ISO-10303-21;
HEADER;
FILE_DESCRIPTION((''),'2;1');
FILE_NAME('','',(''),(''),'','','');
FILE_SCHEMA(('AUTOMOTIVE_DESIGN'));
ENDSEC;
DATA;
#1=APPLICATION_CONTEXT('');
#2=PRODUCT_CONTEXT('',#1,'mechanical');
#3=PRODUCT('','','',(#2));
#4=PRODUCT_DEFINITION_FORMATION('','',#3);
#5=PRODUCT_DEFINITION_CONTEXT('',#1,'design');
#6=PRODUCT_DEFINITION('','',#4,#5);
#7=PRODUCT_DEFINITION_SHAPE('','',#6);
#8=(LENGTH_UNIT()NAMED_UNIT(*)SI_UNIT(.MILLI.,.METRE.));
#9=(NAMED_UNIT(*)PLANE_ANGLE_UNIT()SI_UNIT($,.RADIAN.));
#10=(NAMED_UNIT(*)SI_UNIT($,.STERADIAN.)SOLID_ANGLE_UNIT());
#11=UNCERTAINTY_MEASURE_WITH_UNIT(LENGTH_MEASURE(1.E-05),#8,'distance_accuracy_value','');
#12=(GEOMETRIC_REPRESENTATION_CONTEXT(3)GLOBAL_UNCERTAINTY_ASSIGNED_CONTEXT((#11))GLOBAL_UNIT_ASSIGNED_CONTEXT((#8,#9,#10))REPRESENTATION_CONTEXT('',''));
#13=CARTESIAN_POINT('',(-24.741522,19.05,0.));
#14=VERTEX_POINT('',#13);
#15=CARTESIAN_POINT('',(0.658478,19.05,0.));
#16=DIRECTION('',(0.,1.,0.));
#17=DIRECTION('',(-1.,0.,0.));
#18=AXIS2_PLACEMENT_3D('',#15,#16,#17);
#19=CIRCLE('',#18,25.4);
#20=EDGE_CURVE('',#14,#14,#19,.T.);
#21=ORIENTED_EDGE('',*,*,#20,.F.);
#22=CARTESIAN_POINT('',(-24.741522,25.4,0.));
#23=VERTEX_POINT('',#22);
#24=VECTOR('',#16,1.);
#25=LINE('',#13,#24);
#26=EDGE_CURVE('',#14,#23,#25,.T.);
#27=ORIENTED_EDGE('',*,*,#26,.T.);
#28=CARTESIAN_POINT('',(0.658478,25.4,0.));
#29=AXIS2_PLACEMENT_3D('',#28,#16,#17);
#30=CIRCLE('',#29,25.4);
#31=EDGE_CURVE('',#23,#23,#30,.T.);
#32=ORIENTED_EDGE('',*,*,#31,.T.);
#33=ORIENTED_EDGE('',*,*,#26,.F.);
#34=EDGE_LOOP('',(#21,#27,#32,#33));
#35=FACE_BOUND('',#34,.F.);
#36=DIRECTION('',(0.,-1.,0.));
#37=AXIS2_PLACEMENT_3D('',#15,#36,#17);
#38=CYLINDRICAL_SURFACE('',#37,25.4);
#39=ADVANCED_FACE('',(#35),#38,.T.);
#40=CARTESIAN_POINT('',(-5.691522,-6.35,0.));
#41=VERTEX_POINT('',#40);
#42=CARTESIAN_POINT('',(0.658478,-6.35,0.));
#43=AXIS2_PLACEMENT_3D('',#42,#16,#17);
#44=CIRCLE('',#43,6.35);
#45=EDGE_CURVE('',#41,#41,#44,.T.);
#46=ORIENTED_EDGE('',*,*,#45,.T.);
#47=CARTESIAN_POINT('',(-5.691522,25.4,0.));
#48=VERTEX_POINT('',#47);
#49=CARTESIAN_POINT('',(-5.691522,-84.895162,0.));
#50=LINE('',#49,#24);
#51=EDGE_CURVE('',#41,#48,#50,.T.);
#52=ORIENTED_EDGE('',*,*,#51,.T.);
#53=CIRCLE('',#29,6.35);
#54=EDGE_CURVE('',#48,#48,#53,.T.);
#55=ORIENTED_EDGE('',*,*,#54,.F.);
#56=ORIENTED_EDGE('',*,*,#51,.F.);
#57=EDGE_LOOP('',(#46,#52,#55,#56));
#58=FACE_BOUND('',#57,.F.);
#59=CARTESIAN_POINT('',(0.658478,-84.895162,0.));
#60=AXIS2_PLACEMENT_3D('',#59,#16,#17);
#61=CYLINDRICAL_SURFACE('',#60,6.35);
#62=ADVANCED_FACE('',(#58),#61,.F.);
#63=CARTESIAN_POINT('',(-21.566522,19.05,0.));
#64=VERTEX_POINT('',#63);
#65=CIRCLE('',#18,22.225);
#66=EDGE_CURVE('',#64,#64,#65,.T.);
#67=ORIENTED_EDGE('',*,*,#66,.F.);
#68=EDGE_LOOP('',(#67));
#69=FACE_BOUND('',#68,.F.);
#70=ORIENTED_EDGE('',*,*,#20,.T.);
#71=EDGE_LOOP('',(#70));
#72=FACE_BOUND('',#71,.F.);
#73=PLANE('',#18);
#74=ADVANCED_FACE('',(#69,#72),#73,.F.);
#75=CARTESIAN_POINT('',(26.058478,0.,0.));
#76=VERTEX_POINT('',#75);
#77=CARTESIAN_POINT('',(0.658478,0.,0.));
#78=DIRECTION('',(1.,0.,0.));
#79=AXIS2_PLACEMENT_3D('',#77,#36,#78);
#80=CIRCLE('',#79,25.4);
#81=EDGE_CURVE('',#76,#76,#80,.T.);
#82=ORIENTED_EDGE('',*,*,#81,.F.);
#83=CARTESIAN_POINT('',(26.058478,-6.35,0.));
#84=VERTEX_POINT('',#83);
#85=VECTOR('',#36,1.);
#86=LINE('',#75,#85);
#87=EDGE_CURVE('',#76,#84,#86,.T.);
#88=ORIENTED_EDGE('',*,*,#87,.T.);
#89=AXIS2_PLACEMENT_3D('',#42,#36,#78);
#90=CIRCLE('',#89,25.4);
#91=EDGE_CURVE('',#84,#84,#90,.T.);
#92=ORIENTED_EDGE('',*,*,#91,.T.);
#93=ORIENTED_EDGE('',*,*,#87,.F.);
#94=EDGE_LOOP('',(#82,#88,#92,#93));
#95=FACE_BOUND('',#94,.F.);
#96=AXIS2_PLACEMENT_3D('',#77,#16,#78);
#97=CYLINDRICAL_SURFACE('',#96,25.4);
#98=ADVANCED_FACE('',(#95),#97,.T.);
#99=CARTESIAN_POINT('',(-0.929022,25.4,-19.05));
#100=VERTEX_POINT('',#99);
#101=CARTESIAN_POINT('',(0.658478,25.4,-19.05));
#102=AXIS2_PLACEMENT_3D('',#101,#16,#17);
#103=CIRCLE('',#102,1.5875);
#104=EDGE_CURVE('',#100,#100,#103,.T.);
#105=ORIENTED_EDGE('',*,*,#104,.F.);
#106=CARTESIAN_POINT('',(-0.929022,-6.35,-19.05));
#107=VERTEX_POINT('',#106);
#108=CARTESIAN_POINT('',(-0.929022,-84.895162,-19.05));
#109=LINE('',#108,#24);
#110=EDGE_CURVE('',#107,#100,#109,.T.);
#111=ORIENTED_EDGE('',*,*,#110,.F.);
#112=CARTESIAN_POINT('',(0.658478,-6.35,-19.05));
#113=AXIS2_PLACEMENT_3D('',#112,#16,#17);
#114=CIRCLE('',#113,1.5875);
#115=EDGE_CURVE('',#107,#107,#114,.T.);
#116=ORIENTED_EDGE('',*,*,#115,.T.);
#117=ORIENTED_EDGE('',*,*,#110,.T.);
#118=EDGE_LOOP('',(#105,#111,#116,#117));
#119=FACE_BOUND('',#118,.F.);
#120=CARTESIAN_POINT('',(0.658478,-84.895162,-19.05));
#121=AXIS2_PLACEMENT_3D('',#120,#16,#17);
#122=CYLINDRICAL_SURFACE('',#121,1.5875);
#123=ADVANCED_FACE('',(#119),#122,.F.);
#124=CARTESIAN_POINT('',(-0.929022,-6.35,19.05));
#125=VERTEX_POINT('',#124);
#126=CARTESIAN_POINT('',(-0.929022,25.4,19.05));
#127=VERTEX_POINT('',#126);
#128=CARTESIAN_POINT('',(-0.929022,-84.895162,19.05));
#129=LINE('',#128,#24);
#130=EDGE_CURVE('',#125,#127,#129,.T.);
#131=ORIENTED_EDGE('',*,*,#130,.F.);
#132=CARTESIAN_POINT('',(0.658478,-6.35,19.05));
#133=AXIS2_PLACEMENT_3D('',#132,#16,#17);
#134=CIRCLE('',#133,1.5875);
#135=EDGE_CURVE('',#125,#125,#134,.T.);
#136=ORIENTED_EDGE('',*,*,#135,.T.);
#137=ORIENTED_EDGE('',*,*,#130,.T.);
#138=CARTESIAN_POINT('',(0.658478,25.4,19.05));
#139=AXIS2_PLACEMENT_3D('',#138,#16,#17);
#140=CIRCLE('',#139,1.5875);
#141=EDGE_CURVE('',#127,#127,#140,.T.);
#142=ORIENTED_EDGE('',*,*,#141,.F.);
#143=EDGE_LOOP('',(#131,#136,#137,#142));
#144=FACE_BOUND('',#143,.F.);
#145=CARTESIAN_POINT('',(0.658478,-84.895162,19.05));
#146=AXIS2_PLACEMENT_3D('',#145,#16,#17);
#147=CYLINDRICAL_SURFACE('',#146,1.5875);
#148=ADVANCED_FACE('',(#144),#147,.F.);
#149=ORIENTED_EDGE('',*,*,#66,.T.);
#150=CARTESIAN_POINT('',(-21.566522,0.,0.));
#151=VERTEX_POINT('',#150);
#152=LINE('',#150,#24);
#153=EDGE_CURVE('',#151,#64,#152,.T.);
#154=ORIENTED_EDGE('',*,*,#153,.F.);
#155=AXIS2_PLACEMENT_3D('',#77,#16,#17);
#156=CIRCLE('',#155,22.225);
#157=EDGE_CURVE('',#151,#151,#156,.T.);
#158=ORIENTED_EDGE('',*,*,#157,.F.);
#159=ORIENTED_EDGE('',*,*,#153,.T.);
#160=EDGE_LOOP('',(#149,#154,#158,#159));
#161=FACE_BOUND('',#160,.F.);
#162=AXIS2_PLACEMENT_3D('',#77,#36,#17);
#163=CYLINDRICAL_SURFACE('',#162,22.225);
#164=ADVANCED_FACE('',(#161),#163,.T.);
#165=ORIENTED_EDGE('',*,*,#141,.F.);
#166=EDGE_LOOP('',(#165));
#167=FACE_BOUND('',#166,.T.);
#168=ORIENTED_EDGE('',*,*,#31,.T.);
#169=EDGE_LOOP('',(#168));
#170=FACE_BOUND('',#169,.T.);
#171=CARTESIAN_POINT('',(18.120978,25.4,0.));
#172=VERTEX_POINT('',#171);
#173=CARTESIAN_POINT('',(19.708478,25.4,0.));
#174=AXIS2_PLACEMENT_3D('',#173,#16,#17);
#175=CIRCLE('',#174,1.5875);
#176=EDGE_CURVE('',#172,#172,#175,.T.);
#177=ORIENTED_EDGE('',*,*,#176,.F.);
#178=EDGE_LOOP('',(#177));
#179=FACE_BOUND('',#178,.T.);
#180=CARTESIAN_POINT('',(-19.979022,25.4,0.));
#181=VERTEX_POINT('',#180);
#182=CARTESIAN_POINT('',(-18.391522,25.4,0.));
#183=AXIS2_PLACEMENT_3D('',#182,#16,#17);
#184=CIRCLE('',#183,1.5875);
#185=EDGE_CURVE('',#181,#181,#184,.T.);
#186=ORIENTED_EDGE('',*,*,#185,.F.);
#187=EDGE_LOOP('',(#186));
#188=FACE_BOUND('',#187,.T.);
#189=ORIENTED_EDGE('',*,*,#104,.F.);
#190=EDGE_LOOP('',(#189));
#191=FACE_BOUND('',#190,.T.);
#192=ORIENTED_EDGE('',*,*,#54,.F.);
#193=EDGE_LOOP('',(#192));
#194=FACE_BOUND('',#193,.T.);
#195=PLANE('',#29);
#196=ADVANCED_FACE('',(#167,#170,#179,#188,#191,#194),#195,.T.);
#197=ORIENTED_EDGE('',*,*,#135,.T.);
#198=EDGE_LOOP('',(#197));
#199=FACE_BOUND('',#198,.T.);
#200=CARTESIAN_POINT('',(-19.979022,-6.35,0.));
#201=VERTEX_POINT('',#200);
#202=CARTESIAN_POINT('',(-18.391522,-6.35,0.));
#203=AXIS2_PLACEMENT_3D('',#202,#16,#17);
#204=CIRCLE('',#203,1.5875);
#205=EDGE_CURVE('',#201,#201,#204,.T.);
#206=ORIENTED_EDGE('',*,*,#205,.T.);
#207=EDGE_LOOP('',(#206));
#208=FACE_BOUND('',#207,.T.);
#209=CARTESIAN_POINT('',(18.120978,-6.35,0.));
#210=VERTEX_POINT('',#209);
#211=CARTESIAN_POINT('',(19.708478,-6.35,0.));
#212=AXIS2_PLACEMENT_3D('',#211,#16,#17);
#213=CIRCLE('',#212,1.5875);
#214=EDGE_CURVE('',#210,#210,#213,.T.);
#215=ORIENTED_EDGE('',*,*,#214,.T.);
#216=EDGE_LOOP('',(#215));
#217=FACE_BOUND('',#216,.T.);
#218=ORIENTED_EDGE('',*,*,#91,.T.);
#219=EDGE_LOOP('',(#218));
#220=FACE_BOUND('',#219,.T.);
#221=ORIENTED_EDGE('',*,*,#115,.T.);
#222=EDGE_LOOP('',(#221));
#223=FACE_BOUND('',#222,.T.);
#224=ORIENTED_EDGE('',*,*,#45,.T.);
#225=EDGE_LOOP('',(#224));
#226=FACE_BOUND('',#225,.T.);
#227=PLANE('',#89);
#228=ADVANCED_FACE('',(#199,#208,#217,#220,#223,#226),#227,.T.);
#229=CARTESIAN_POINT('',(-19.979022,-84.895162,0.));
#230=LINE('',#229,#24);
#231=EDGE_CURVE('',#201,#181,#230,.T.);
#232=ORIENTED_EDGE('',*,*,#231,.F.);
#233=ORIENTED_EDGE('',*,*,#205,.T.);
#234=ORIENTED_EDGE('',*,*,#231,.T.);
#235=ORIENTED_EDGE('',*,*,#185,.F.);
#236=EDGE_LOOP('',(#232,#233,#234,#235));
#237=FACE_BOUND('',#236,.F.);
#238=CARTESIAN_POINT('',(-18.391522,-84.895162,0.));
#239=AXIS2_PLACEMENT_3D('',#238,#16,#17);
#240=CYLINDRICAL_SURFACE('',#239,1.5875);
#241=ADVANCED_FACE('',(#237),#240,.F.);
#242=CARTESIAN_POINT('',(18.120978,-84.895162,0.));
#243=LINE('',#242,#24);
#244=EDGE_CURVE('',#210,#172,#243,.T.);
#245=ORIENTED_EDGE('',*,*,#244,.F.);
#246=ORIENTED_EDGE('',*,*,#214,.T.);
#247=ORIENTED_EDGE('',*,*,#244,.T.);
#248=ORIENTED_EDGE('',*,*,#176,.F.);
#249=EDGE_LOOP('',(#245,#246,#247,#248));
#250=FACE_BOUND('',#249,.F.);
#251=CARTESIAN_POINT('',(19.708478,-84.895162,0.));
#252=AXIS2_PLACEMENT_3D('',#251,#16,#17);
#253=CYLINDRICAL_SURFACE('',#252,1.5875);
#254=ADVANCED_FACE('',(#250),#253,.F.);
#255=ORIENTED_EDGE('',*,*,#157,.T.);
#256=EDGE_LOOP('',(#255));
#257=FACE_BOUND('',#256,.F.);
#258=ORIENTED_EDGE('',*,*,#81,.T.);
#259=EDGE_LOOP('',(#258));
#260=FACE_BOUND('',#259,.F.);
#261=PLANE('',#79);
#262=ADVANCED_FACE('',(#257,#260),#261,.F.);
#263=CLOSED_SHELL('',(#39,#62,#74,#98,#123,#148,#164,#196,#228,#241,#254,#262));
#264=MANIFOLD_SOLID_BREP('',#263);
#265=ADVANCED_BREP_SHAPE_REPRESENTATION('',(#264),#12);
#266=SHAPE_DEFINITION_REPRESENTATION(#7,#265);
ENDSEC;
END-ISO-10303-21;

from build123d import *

# Parameters (mm, degrees)
F0_R     = 25.4
F1_DEPTH = 6.35
F3_R     = 22.225
F4_DEPTH = 19.05
F5_R     = 25.4
F6_DEPTH = 6.35
F8_D     = 3.175
F9_D     = 12.7


with BuildPart() as f1:
    # F0 (on Front) → F1 (new body)
    with BuildSketch(Plane.XZ):
        with Locations((0.658478, 0)):
            Circle(F0_R)
    extrude(amount=F1_DEPTH)

    # F3 (on face) → F4 (join)
    with BuildSketch(Plane(origin=(0, 0, 0), x_dir=(-1, 0, 0), z_dir=(0, 1, 0))):
        with Locations((-0.658478, 0)):
            Circle(F3_R)
    extrude(amount=F4_DEPTH)

    # F5 (on face) → F6 (join)
    with BuildSketch(Plane(origin=(0, 19.05, 0), x_dir=(-1, 0, 0), z_dir=(0, 1, 0))):
        with Locations((-0.658478, 0)):
            Circle(F5_R)
    extrude(amount=F6_DEPTH)

    # F8 (through all)
    with Locations(Plane.XZ.offset(6.35)):
        with Locations((0.658478, 19.05), (19.708478, 0), (0.658478, -19.05), (-18.391522, 0)):
            Hole(F8_D / 2)

    # F9 (through all)
    with Locations(Plane.XZ.offset(6.35)):
        with Locations((0.658478, 0)):
            Hole(F9_D / 2)


solid = f1.part
